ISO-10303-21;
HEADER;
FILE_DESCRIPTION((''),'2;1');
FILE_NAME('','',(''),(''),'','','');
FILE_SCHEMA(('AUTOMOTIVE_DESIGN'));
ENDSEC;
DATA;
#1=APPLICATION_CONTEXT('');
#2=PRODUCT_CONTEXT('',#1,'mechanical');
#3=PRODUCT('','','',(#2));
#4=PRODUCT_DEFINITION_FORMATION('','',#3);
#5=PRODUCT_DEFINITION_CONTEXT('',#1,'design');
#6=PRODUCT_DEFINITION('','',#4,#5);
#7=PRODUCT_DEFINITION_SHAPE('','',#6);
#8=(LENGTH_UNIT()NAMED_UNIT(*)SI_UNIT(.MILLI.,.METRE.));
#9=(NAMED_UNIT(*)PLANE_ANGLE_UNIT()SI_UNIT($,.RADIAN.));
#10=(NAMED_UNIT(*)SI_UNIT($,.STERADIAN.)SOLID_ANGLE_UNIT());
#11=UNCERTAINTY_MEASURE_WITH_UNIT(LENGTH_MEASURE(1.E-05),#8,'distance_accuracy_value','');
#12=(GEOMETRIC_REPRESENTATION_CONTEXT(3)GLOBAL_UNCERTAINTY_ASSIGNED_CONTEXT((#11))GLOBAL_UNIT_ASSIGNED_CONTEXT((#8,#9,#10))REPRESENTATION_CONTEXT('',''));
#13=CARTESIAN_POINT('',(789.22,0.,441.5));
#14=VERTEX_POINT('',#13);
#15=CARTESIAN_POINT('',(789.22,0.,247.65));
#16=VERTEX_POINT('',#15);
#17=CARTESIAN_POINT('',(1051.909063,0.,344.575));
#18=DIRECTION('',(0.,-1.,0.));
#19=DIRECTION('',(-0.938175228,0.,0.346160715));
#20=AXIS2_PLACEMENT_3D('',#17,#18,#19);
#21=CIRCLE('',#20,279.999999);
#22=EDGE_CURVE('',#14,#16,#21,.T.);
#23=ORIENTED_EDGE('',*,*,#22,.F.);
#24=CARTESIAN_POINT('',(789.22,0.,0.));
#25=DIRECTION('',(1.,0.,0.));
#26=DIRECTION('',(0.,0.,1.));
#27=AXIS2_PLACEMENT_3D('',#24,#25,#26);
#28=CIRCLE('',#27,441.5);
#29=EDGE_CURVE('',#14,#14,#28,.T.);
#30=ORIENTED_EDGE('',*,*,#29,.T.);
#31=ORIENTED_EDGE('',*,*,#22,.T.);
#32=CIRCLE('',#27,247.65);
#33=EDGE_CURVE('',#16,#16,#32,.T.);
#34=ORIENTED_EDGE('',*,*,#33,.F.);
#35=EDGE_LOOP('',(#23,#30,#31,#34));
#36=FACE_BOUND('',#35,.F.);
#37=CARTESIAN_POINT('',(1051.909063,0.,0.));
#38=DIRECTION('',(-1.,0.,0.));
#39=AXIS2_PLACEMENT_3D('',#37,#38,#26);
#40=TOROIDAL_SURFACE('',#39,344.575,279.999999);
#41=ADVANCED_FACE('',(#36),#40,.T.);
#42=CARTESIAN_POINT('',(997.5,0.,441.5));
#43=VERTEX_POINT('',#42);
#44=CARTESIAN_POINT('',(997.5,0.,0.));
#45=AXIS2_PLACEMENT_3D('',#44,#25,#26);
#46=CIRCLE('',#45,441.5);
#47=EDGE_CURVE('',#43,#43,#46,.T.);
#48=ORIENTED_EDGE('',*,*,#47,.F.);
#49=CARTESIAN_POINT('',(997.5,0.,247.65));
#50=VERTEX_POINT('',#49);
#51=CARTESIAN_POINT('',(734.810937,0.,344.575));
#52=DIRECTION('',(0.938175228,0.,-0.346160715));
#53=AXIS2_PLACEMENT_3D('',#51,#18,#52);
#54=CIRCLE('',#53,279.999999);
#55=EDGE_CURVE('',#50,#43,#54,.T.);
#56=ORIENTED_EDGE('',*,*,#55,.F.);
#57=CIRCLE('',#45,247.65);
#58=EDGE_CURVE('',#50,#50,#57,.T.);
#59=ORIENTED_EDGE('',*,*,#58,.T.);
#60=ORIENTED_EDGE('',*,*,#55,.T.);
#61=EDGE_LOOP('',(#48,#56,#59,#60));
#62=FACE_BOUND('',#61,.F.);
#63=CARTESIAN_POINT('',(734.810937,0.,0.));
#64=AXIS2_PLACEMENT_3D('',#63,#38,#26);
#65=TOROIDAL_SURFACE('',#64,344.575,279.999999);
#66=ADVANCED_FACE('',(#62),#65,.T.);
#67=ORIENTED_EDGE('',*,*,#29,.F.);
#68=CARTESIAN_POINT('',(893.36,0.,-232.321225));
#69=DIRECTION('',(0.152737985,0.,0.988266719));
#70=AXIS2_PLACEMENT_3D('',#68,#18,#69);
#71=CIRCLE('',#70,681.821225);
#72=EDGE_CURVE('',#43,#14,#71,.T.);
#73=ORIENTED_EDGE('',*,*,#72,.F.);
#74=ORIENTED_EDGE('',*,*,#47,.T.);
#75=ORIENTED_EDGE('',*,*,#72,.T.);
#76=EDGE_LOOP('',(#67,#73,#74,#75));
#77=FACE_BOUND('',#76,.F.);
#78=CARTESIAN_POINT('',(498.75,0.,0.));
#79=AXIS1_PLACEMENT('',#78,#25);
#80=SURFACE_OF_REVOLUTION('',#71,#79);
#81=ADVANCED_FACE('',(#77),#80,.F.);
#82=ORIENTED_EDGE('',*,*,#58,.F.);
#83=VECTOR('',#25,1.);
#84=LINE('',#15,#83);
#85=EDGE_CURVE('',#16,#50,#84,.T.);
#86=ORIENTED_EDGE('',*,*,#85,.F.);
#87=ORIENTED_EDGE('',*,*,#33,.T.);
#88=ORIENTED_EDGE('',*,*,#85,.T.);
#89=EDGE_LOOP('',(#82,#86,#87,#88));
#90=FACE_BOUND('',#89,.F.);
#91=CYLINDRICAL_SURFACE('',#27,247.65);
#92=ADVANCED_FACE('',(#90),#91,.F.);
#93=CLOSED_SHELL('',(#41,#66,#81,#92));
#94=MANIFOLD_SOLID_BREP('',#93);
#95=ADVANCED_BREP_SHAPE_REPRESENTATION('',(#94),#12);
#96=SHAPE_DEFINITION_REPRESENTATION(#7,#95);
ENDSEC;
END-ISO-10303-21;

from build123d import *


with BuildPart() as f1:
    # F0 (on Front) → F1 (revolve)
    with BuildSketch(Plane.XZ):
        with BuildLine():
            ThreePointArc((997.5, 247.65), (1014.810936, 344.575), (997.5, 441.5))
            ThreePointArc((997.5, 441.5), (893.36, 449.5), (789.22, 441.5))
            ThreePointArc((789.22, 441.5), (771.909064, 344.575), (789.22, 247.65))
            Line((789.22, 247.65), (997.5, 247.65))
        make_face()
    revolve(axis=Axis((498.75, 0, 0), (1, 0, 0)))


solid = f1.part
